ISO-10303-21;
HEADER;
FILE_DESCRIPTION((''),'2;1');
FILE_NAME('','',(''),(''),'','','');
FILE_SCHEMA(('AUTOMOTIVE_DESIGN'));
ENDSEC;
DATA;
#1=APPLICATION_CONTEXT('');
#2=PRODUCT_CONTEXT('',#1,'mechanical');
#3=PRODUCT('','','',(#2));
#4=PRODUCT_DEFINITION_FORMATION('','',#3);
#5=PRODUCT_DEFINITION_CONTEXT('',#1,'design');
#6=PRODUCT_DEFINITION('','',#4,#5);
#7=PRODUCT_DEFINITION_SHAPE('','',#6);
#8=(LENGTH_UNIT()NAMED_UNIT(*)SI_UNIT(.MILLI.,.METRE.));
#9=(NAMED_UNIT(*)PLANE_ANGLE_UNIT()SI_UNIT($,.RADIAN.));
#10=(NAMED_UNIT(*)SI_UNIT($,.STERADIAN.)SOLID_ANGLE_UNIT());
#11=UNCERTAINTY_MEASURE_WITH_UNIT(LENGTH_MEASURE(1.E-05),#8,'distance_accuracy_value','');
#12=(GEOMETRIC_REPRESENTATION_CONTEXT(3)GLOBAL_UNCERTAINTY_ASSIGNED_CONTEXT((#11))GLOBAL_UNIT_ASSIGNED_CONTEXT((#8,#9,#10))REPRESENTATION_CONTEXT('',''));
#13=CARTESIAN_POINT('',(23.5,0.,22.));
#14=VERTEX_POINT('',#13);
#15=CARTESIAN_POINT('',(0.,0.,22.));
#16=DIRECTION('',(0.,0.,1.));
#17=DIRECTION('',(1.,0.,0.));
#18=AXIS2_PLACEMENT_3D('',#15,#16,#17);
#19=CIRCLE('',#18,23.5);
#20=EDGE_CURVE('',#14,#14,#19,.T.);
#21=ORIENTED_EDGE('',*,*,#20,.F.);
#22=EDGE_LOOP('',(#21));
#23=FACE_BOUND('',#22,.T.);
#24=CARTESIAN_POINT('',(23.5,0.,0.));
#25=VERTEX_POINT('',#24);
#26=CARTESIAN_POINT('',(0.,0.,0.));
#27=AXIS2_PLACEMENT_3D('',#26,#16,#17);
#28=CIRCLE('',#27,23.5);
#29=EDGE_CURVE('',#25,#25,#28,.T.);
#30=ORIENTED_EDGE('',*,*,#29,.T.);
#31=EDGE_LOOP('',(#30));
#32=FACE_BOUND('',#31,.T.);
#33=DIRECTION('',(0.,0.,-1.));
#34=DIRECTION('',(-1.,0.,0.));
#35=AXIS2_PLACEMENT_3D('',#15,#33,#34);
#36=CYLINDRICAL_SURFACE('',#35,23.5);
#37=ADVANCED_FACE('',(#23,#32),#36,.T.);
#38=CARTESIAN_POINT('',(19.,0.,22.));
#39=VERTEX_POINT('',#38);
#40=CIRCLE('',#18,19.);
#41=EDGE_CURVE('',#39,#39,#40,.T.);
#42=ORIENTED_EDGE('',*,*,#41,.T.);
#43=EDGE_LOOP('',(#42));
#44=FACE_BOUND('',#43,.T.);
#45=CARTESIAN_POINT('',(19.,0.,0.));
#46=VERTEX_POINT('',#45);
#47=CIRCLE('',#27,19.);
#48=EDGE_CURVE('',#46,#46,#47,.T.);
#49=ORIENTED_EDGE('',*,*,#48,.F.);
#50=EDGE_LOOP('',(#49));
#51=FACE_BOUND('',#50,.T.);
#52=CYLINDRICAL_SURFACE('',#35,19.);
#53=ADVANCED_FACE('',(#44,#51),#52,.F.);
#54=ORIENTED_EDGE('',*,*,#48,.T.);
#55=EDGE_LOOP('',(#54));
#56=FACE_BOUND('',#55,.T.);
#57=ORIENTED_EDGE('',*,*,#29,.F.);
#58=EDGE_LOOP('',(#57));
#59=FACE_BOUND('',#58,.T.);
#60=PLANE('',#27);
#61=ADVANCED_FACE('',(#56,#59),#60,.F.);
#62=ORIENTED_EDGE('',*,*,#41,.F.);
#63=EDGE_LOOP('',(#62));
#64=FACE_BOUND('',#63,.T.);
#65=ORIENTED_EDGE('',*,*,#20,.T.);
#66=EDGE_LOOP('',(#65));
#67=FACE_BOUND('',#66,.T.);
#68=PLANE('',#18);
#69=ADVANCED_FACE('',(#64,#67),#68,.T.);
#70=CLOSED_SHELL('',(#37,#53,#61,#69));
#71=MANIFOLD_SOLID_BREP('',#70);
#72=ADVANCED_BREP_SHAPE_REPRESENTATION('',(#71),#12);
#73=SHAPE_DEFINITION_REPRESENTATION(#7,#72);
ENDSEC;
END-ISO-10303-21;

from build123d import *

# Parameters (mm, degrees)
ESQUISSE1_R        = 23.5
ESQUISSE1_R_2      = 19
BOSS_EXTRU_1_DEPTH = 22


with BuildPart() as part:
    # Esquisse1 → Boss.-Extru.1 (new body)
    with BuildSketch(Plane.XY):
        Circle(ESQUISSE1_R)
        Circle(ESQUISSE1_R_2, mode=Mode.SUBTRACT)
    extrude(amount=BOSS_EXTRU_1_DEPTH)


solid = part.part
